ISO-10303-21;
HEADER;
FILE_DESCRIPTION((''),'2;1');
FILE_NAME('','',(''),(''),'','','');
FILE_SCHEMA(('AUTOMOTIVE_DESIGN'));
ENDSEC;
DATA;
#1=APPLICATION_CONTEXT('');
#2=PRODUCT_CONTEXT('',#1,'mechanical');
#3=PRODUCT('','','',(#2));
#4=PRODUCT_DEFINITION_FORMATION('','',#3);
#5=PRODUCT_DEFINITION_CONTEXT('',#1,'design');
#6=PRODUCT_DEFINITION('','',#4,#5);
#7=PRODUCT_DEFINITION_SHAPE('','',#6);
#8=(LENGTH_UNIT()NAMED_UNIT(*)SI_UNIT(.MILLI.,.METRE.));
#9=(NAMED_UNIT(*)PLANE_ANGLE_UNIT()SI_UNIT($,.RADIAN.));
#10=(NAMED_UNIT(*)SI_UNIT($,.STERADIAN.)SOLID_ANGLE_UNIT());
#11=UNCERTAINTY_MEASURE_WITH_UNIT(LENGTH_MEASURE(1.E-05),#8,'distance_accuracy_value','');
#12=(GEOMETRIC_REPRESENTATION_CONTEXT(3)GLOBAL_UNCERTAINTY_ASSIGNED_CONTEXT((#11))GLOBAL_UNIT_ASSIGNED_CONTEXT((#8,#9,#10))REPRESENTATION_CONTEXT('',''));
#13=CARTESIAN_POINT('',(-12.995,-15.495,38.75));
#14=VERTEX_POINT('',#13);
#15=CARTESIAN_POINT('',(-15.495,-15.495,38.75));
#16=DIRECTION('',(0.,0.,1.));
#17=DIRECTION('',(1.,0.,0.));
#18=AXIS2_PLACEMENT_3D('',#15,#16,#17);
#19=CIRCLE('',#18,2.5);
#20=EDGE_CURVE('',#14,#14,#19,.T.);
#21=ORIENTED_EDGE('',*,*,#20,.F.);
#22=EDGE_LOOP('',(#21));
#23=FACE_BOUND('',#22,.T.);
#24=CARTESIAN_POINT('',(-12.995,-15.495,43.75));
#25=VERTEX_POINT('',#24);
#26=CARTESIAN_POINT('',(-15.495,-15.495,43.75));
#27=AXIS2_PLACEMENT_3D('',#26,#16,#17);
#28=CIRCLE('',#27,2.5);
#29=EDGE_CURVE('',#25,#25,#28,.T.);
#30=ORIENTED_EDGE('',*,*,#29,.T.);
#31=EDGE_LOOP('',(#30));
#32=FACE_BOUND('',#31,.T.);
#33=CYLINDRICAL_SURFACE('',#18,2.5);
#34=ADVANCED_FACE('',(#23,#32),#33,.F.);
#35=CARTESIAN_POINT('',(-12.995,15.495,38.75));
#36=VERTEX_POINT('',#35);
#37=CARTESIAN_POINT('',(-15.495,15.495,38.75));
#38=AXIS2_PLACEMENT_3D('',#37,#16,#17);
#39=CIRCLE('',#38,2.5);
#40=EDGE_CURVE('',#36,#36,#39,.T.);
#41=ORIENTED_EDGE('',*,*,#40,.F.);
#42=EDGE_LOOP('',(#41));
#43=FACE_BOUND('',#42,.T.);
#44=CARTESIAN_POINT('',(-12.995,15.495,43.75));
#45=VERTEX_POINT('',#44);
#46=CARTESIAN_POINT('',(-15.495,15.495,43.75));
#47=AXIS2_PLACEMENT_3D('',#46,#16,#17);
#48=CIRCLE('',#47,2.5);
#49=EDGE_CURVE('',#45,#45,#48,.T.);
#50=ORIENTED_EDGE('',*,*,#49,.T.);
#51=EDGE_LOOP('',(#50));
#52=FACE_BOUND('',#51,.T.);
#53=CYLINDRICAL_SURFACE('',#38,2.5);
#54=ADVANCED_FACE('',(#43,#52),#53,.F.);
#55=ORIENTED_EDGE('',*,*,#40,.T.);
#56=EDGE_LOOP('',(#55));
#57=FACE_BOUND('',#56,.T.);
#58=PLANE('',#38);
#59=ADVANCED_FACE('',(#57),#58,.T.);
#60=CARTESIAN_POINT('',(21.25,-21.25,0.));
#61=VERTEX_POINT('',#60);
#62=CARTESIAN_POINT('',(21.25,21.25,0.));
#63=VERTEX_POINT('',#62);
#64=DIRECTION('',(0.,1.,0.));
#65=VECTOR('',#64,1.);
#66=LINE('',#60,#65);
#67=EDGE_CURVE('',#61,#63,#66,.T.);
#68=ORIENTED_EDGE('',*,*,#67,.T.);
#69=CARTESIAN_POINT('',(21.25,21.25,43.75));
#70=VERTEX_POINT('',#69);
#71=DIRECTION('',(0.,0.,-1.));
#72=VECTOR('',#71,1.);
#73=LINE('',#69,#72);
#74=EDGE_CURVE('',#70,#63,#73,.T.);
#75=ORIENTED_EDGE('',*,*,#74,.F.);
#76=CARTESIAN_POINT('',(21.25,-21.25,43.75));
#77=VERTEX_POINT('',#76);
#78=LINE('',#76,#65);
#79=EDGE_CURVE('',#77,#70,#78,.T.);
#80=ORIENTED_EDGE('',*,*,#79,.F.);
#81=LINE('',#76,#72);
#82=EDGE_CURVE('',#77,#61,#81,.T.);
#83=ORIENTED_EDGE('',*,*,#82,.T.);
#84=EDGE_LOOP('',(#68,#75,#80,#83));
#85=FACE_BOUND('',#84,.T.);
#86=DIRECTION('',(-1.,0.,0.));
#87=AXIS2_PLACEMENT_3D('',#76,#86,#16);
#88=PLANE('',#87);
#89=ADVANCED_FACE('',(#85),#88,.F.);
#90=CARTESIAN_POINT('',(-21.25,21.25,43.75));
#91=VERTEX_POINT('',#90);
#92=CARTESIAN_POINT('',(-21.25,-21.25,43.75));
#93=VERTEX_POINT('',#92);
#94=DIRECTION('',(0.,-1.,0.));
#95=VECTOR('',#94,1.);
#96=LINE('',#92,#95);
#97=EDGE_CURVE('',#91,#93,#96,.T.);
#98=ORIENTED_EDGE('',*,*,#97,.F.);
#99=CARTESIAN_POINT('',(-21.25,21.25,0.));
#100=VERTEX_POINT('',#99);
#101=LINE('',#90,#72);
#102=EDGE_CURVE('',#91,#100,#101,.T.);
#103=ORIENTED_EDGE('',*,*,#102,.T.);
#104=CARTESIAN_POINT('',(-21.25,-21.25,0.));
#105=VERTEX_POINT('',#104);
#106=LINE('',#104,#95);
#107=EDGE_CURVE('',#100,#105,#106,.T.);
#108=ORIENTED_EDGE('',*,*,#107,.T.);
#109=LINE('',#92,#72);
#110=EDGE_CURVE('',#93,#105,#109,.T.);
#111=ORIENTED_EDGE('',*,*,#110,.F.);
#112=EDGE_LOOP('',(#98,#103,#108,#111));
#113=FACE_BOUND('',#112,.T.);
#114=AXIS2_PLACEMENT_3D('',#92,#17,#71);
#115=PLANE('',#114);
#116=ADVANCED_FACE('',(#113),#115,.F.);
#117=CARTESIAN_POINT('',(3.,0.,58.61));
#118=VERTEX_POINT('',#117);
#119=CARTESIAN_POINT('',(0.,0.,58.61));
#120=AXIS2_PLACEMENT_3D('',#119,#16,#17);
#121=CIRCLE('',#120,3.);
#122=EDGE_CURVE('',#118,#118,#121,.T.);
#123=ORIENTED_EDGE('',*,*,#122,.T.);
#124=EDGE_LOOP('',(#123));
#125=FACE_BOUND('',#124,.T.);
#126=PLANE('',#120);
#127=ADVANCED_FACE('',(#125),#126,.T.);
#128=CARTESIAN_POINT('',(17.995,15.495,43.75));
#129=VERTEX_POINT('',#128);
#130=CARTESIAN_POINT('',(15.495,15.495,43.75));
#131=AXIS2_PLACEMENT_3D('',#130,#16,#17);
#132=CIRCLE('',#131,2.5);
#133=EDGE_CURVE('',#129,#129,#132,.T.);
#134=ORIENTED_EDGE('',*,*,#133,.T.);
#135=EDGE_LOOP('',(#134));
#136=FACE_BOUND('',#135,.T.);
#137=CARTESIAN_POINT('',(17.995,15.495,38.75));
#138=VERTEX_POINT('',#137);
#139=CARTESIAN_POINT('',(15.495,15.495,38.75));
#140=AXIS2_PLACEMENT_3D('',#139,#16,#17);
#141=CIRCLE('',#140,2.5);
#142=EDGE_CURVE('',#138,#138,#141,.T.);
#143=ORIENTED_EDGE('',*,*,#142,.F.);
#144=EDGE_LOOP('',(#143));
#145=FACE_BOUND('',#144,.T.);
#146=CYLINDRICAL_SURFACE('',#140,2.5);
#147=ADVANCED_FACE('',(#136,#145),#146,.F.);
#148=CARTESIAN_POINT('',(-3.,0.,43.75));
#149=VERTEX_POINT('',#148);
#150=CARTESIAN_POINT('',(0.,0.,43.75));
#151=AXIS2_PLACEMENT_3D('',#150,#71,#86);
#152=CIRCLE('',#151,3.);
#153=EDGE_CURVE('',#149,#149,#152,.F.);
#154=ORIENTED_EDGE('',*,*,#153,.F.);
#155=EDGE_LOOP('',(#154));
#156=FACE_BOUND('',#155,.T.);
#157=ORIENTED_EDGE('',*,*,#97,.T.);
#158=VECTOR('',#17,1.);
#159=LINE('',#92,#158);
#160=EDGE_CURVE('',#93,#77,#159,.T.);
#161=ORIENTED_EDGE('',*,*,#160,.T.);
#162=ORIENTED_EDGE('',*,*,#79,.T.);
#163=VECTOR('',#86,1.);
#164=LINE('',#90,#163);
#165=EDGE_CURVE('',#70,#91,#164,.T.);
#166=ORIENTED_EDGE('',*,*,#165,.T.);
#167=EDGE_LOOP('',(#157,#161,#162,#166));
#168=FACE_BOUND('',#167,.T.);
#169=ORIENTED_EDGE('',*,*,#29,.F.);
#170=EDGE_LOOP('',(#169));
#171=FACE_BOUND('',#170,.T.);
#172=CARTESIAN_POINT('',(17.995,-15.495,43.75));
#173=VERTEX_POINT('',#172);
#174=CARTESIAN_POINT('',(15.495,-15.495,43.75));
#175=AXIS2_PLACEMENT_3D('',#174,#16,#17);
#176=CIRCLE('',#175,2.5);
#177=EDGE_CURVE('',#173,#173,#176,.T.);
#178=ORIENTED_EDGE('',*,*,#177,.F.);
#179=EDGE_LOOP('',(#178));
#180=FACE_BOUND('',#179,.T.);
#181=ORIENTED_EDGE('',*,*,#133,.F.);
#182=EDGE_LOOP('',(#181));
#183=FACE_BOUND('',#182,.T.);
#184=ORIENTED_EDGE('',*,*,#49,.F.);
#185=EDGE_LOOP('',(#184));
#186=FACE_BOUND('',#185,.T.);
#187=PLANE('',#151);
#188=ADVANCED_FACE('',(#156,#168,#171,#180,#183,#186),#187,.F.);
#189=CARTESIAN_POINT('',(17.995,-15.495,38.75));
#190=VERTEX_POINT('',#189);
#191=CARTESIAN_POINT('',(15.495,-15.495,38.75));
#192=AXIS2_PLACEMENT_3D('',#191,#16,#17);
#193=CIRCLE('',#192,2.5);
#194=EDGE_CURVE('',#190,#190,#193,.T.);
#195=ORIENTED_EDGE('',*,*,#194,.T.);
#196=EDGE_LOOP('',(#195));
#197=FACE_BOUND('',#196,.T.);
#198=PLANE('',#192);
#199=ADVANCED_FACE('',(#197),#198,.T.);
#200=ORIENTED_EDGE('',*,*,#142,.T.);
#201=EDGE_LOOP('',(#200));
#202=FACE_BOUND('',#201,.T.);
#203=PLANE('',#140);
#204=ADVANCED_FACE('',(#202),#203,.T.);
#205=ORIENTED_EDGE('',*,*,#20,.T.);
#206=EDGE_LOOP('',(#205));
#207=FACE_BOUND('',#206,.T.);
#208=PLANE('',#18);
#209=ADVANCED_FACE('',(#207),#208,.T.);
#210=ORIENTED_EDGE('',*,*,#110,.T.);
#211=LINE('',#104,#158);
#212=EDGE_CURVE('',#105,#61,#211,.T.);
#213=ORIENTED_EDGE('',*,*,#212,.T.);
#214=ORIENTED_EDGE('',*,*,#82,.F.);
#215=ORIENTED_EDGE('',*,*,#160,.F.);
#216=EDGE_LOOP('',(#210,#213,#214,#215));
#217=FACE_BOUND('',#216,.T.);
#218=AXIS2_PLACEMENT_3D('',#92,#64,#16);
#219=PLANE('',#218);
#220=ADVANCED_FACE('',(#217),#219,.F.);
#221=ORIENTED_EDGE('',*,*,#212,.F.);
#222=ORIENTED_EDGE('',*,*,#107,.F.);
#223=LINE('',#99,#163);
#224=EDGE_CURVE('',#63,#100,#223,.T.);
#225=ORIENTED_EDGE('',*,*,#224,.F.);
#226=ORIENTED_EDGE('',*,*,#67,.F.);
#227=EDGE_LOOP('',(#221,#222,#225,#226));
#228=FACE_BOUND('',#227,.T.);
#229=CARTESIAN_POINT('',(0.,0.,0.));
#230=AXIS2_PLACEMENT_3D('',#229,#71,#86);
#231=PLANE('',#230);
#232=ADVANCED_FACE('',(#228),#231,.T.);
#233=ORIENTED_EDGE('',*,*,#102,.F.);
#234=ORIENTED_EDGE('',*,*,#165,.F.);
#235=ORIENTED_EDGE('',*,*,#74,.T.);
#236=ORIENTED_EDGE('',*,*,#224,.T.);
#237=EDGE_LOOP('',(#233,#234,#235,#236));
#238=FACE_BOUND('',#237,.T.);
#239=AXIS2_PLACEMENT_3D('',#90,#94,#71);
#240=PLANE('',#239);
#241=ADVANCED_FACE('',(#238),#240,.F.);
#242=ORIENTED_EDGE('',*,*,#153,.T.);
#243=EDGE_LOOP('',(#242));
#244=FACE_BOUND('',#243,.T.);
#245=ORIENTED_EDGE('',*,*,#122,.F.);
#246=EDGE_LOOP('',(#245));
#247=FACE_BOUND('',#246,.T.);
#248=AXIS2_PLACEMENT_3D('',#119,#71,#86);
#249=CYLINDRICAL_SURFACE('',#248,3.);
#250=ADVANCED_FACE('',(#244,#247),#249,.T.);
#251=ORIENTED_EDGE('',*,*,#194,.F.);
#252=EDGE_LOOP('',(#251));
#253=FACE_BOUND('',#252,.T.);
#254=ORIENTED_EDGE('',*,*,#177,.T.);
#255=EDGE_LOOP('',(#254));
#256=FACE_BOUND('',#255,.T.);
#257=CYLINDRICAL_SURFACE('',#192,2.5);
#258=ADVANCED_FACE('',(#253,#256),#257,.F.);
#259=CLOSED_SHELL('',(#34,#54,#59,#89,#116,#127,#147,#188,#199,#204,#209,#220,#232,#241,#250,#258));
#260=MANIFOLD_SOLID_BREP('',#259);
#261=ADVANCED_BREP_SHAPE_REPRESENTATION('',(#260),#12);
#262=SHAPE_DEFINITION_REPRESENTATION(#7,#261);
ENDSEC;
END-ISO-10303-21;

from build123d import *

# Parameters (mm, degrees)
SKETCH1_W           = 42.5
SKETCH1_H           = 42.5
BOSS_EXTRUDE1_DEPTH = 43.75
SKETCH2_R           = 2.5
CUT_EXTRUDE1_DEPTH  = 5
SKETCH3_R           = 3
BOSS_EXTRUDE2_DEPTH = 14.86


with BuildPart() as part:
    # Sketch1 → Boss-Extrude1 (new body)
    with BuildSketch(Plane.XY):
        Rectangle(SKETCH1_W, SKETCH1_H)
    extrude(amount=BOSS_EXTRUDE1_DEPTH)

    # Sketch2 → Cut-Extrude1 (cut)
    with BuildSketch(Plane.XY.offset(43.75)):
        with Locations((-15.495, 15.495)):
            Circle(SKETCH2_R)
        with Locations((15.495, 15.495)):
            Circle(SKETCH2_R)
        with Locations((15.495, -15.495)):
            Circle(SKETCH2_R)
        with Locations((-15.495, -15.495)):
            Circle(SKETCH2_R)
    extrude(amount=-CUT_EXTRUDE1_DEPTH, mode=Mode.SUBTRACT)

    # Sketch3 → Boss-Extrude2 (add)
    with BuildSketch(Plane.XY.offset(43.75)):
        Circle(SKETCH3_R)
    extrude(amount=BOSS_EXTRUDE2_DEPTH)


solid = part.part
